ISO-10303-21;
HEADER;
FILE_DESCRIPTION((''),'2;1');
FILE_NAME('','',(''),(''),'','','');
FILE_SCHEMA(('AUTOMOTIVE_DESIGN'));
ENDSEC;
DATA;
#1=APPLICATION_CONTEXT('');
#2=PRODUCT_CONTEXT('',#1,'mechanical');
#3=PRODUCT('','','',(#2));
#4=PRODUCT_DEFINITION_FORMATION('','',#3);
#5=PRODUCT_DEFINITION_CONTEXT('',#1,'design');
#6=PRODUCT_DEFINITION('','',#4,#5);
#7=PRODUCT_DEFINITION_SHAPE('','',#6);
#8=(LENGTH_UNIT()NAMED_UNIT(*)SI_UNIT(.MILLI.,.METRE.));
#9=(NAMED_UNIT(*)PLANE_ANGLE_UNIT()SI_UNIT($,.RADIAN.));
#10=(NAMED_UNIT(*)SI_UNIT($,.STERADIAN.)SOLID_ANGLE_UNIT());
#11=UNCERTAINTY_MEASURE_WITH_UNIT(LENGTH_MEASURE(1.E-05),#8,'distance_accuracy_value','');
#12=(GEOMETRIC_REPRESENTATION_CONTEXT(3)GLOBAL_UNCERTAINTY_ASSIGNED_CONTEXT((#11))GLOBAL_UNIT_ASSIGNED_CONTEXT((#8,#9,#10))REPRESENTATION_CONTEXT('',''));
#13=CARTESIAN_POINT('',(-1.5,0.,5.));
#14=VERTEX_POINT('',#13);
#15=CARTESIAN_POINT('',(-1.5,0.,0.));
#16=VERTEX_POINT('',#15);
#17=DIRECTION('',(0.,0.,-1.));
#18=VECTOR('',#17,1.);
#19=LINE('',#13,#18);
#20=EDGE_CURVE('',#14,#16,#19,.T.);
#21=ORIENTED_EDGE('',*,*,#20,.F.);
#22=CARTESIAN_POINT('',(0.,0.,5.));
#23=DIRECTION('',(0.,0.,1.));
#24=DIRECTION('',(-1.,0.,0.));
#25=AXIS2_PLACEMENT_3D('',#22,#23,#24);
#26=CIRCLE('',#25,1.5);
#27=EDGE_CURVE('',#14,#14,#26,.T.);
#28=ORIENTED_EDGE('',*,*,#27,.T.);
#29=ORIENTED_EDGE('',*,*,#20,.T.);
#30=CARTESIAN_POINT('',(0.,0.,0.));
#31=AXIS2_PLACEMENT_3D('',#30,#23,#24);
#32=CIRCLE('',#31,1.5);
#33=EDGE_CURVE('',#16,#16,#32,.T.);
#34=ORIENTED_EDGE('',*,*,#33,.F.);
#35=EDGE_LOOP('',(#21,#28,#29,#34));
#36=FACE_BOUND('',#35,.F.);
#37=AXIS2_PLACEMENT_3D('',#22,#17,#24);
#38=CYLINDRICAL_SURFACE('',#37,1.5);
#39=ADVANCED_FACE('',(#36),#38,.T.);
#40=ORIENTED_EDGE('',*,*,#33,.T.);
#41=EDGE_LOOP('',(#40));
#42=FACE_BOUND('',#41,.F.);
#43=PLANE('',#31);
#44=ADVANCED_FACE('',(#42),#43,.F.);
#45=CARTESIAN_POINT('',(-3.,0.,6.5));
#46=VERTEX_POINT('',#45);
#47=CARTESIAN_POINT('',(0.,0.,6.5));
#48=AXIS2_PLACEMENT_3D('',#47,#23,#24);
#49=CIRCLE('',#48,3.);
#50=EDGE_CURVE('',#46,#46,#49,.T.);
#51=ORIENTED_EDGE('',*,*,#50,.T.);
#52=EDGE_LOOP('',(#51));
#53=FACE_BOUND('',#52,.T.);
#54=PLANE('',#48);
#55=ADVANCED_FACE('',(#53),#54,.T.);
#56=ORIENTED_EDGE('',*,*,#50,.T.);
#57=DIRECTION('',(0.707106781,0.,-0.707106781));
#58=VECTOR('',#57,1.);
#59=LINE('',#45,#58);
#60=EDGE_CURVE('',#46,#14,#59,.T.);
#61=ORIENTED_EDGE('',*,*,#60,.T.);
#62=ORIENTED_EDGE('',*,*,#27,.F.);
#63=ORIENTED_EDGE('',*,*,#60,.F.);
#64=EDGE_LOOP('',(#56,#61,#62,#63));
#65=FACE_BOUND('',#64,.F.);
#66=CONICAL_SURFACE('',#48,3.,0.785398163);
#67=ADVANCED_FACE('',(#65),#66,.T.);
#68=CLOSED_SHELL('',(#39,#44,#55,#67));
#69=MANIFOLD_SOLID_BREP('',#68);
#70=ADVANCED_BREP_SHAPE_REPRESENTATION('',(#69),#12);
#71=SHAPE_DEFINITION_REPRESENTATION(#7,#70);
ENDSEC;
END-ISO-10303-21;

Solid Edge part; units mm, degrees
sketch "Sketch1" plane through (0, 0, 0) normal (0, -1, 0) x (1, 0, 0)
  line L0 (-3, 6.5) -> (-1.5, 5)
  line L1 (-1.5, 5) -> (-1.5, 0)
  line L2 (-1.5, 0) -> (0, 0)
  line L3 (-3, 6.5) -> (0, 6.5)
  dimension "D1" = 1.5
  dimension "D2" = 5
revolve "RevolvedProtrusion1" add sketch "Sketch1" angle 360 about axis through (0, 0, 0) along (0, 0, 1)
